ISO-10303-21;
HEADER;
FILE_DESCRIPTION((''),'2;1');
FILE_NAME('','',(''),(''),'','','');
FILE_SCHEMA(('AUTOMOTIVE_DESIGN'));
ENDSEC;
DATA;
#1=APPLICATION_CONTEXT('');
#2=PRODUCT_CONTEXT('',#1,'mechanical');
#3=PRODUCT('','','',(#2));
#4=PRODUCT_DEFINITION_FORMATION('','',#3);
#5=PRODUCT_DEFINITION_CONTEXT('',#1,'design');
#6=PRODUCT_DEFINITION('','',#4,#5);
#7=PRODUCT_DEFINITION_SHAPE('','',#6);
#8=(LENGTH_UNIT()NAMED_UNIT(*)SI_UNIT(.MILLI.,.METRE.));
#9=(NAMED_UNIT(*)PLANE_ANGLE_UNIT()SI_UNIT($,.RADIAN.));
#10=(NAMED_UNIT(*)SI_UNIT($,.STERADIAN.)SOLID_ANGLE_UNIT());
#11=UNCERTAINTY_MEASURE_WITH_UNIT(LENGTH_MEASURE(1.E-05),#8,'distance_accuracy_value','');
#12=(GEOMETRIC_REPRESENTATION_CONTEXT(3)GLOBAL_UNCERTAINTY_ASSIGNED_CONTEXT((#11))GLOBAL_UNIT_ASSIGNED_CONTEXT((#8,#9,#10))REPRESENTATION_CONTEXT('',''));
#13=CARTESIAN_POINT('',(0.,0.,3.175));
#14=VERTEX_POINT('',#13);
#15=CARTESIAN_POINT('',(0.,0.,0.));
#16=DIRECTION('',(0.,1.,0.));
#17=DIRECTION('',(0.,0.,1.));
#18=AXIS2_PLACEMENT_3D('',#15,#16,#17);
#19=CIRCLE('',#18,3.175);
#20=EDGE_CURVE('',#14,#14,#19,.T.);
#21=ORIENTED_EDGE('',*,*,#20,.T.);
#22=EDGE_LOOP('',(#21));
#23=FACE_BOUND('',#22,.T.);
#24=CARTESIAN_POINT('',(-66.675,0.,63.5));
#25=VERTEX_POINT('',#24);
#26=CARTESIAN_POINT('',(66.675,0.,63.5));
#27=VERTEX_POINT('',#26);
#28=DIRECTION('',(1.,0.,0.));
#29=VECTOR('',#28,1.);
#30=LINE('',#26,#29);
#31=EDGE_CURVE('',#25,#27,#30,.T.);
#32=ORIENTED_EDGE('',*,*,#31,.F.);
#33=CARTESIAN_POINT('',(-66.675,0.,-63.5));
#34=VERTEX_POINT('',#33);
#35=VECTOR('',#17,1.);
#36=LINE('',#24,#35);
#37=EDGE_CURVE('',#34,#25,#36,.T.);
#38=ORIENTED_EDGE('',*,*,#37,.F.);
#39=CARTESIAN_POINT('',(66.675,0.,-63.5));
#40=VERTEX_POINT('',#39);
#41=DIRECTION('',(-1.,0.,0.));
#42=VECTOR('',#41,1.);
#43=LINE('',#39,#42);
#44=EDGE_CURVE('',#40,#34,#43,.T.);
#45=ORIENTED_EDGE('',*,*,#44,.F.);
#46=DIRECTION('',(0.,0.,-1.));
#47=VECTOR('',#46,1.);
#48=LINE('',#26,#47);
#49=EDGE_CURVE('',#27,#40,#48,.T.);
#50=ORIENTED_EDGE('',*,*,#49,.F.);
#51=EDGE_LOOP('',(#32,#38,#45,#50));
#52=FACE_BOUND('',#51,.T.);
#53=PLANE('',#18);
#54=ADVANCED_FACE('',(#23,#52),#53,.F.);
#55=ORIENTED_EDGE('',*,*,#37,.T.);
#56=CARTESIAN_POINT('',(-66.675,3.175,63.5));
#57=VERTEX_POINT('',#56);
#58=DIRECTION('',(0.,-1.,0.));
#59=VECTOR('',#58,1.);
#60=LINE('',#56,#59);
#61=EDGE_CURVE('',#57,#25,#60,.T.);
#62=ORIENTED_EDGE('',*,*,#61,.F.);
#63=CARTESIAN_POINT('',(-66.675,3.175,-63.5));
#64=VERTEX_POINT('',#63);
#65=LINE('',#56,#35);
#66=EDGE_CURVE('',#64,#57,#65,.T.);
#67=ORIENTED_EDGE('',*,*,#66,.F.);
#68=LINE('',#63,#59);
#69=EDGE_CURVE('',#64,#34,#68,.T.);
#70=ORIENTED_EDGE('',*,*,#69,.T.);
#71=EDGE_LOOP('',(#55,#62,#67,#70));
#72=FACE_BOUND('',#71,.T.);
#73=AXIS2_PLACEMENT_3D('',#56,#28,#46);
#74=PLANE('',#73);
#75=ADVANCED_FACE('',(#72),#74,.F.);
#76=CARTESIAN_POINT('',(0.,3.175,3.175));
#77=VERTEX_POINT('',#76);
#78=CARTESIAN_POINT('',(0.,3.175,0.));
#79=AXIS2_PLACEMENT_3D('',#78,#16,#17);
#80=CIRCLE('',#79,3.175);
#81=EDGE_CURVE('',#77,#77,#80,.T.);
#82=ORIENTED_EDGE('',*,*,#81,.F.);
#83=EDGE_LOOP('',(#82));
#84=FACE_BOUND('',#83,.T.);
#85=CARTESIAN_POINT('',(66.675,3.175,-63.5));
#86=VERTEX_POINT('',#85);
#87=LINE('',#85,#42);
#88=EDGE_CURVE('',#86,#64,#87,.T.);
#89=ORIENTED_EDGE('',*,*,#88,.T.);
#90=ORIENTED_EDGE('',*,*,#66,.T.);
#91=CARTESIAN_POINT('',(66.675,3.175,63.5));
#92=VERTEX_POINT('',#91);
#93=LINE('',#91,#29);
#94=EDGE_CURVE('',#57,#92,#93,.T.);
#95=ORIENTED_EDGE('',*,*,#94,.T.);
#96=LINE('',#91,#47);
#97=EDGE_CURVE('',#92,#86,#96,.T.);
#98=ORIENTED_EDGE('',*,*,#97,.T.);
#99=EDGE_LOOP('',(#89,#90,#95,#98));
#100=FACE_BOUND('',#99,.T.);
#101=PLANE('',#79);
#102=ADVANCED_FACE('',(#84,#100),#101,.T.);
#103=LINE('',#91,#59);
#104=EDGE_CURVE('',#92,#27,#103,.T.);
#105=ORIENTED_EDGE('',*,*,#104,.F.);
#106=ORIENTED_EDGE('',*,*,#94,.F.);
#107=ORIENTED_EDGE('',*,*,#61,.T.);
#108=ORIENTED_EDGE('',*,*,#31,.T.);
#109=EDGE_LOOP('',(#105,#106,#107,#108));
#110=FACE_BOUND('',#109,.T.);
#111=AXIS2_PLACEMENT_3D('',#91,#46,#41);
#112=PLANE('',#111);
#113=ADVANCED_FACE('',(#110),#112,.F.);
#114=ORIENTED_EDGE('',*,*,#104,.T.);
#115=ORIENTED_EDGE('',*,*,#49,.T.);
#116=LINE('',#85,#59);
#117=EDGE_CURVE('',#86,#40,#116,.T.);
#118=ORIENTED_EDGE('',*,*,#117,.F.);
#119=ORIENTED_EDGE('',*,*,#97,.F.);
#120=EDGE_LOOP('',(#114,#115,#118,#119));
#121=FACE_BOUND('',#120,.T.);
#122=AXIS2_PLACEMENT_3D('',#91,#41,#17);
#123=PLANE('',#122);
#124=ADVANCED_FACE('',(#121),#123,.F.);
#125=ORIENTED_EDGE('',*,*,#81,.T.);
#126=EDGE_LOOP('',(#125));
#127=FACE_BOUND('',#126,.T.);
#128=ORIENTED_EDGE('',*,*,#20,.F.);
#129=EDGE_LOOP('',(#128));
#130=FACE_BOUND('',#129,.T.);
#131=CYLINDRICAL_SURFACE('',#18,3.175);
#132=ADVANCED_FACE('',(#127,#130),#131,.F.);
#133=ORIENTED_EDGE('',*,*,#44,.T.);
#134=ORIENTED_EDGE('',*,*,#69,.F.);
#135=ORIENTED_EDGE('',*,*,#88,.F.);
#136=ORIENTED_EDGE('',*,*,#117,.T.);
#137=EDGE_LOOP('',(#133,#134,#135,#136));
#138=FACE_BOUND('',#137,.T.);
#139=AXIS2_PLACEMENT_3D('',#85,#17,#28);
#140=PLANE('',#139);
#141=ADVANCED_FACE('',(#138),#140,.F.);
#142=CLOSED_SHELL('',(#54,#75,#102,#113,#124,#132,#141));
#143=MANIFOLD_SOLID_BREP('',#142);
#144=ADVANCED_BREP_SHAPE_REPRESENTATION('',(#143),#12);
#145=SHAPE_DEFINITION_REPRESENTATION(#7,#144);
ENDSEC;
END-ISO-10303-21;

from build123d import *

# Parameters (mm, degrees)
SKETCH1_W           = 133.35
SKETCH1_H           = 127
BOSS_EXTRUDE1_DEPTH = 3.175
SKETCH2_R           = 3.175
CUT_EXTRUDE1_DEPTH  = 4.175


with BuildPart() as part:
    # Sketch1 → Boss-Extrude1 (new body)
    with BuildSketch(Plane(origin=(0, 0, 0), x_dir=(1, 0, 0), z_dir=(0, 1, 0))):
        Rectangle(SKETCH1_W, SKETCH1_H)
    extrude(amount=BOSS_EXTRUDE1_DEPTH)

    # Sketch2 → Cut-Extrude1 (cut, through all)
    with BuildSketch(Plane(origin=(0, 3.175, 0), x_dir=(1, 0, 0), z_dir=(0, 1, 0))):
        Circle(SKETCH2_R)
    extrude(amount=-CUT_EXTRUDE1_DEPTH, mode=Mode.SUBTRACT)


solid = part.part
